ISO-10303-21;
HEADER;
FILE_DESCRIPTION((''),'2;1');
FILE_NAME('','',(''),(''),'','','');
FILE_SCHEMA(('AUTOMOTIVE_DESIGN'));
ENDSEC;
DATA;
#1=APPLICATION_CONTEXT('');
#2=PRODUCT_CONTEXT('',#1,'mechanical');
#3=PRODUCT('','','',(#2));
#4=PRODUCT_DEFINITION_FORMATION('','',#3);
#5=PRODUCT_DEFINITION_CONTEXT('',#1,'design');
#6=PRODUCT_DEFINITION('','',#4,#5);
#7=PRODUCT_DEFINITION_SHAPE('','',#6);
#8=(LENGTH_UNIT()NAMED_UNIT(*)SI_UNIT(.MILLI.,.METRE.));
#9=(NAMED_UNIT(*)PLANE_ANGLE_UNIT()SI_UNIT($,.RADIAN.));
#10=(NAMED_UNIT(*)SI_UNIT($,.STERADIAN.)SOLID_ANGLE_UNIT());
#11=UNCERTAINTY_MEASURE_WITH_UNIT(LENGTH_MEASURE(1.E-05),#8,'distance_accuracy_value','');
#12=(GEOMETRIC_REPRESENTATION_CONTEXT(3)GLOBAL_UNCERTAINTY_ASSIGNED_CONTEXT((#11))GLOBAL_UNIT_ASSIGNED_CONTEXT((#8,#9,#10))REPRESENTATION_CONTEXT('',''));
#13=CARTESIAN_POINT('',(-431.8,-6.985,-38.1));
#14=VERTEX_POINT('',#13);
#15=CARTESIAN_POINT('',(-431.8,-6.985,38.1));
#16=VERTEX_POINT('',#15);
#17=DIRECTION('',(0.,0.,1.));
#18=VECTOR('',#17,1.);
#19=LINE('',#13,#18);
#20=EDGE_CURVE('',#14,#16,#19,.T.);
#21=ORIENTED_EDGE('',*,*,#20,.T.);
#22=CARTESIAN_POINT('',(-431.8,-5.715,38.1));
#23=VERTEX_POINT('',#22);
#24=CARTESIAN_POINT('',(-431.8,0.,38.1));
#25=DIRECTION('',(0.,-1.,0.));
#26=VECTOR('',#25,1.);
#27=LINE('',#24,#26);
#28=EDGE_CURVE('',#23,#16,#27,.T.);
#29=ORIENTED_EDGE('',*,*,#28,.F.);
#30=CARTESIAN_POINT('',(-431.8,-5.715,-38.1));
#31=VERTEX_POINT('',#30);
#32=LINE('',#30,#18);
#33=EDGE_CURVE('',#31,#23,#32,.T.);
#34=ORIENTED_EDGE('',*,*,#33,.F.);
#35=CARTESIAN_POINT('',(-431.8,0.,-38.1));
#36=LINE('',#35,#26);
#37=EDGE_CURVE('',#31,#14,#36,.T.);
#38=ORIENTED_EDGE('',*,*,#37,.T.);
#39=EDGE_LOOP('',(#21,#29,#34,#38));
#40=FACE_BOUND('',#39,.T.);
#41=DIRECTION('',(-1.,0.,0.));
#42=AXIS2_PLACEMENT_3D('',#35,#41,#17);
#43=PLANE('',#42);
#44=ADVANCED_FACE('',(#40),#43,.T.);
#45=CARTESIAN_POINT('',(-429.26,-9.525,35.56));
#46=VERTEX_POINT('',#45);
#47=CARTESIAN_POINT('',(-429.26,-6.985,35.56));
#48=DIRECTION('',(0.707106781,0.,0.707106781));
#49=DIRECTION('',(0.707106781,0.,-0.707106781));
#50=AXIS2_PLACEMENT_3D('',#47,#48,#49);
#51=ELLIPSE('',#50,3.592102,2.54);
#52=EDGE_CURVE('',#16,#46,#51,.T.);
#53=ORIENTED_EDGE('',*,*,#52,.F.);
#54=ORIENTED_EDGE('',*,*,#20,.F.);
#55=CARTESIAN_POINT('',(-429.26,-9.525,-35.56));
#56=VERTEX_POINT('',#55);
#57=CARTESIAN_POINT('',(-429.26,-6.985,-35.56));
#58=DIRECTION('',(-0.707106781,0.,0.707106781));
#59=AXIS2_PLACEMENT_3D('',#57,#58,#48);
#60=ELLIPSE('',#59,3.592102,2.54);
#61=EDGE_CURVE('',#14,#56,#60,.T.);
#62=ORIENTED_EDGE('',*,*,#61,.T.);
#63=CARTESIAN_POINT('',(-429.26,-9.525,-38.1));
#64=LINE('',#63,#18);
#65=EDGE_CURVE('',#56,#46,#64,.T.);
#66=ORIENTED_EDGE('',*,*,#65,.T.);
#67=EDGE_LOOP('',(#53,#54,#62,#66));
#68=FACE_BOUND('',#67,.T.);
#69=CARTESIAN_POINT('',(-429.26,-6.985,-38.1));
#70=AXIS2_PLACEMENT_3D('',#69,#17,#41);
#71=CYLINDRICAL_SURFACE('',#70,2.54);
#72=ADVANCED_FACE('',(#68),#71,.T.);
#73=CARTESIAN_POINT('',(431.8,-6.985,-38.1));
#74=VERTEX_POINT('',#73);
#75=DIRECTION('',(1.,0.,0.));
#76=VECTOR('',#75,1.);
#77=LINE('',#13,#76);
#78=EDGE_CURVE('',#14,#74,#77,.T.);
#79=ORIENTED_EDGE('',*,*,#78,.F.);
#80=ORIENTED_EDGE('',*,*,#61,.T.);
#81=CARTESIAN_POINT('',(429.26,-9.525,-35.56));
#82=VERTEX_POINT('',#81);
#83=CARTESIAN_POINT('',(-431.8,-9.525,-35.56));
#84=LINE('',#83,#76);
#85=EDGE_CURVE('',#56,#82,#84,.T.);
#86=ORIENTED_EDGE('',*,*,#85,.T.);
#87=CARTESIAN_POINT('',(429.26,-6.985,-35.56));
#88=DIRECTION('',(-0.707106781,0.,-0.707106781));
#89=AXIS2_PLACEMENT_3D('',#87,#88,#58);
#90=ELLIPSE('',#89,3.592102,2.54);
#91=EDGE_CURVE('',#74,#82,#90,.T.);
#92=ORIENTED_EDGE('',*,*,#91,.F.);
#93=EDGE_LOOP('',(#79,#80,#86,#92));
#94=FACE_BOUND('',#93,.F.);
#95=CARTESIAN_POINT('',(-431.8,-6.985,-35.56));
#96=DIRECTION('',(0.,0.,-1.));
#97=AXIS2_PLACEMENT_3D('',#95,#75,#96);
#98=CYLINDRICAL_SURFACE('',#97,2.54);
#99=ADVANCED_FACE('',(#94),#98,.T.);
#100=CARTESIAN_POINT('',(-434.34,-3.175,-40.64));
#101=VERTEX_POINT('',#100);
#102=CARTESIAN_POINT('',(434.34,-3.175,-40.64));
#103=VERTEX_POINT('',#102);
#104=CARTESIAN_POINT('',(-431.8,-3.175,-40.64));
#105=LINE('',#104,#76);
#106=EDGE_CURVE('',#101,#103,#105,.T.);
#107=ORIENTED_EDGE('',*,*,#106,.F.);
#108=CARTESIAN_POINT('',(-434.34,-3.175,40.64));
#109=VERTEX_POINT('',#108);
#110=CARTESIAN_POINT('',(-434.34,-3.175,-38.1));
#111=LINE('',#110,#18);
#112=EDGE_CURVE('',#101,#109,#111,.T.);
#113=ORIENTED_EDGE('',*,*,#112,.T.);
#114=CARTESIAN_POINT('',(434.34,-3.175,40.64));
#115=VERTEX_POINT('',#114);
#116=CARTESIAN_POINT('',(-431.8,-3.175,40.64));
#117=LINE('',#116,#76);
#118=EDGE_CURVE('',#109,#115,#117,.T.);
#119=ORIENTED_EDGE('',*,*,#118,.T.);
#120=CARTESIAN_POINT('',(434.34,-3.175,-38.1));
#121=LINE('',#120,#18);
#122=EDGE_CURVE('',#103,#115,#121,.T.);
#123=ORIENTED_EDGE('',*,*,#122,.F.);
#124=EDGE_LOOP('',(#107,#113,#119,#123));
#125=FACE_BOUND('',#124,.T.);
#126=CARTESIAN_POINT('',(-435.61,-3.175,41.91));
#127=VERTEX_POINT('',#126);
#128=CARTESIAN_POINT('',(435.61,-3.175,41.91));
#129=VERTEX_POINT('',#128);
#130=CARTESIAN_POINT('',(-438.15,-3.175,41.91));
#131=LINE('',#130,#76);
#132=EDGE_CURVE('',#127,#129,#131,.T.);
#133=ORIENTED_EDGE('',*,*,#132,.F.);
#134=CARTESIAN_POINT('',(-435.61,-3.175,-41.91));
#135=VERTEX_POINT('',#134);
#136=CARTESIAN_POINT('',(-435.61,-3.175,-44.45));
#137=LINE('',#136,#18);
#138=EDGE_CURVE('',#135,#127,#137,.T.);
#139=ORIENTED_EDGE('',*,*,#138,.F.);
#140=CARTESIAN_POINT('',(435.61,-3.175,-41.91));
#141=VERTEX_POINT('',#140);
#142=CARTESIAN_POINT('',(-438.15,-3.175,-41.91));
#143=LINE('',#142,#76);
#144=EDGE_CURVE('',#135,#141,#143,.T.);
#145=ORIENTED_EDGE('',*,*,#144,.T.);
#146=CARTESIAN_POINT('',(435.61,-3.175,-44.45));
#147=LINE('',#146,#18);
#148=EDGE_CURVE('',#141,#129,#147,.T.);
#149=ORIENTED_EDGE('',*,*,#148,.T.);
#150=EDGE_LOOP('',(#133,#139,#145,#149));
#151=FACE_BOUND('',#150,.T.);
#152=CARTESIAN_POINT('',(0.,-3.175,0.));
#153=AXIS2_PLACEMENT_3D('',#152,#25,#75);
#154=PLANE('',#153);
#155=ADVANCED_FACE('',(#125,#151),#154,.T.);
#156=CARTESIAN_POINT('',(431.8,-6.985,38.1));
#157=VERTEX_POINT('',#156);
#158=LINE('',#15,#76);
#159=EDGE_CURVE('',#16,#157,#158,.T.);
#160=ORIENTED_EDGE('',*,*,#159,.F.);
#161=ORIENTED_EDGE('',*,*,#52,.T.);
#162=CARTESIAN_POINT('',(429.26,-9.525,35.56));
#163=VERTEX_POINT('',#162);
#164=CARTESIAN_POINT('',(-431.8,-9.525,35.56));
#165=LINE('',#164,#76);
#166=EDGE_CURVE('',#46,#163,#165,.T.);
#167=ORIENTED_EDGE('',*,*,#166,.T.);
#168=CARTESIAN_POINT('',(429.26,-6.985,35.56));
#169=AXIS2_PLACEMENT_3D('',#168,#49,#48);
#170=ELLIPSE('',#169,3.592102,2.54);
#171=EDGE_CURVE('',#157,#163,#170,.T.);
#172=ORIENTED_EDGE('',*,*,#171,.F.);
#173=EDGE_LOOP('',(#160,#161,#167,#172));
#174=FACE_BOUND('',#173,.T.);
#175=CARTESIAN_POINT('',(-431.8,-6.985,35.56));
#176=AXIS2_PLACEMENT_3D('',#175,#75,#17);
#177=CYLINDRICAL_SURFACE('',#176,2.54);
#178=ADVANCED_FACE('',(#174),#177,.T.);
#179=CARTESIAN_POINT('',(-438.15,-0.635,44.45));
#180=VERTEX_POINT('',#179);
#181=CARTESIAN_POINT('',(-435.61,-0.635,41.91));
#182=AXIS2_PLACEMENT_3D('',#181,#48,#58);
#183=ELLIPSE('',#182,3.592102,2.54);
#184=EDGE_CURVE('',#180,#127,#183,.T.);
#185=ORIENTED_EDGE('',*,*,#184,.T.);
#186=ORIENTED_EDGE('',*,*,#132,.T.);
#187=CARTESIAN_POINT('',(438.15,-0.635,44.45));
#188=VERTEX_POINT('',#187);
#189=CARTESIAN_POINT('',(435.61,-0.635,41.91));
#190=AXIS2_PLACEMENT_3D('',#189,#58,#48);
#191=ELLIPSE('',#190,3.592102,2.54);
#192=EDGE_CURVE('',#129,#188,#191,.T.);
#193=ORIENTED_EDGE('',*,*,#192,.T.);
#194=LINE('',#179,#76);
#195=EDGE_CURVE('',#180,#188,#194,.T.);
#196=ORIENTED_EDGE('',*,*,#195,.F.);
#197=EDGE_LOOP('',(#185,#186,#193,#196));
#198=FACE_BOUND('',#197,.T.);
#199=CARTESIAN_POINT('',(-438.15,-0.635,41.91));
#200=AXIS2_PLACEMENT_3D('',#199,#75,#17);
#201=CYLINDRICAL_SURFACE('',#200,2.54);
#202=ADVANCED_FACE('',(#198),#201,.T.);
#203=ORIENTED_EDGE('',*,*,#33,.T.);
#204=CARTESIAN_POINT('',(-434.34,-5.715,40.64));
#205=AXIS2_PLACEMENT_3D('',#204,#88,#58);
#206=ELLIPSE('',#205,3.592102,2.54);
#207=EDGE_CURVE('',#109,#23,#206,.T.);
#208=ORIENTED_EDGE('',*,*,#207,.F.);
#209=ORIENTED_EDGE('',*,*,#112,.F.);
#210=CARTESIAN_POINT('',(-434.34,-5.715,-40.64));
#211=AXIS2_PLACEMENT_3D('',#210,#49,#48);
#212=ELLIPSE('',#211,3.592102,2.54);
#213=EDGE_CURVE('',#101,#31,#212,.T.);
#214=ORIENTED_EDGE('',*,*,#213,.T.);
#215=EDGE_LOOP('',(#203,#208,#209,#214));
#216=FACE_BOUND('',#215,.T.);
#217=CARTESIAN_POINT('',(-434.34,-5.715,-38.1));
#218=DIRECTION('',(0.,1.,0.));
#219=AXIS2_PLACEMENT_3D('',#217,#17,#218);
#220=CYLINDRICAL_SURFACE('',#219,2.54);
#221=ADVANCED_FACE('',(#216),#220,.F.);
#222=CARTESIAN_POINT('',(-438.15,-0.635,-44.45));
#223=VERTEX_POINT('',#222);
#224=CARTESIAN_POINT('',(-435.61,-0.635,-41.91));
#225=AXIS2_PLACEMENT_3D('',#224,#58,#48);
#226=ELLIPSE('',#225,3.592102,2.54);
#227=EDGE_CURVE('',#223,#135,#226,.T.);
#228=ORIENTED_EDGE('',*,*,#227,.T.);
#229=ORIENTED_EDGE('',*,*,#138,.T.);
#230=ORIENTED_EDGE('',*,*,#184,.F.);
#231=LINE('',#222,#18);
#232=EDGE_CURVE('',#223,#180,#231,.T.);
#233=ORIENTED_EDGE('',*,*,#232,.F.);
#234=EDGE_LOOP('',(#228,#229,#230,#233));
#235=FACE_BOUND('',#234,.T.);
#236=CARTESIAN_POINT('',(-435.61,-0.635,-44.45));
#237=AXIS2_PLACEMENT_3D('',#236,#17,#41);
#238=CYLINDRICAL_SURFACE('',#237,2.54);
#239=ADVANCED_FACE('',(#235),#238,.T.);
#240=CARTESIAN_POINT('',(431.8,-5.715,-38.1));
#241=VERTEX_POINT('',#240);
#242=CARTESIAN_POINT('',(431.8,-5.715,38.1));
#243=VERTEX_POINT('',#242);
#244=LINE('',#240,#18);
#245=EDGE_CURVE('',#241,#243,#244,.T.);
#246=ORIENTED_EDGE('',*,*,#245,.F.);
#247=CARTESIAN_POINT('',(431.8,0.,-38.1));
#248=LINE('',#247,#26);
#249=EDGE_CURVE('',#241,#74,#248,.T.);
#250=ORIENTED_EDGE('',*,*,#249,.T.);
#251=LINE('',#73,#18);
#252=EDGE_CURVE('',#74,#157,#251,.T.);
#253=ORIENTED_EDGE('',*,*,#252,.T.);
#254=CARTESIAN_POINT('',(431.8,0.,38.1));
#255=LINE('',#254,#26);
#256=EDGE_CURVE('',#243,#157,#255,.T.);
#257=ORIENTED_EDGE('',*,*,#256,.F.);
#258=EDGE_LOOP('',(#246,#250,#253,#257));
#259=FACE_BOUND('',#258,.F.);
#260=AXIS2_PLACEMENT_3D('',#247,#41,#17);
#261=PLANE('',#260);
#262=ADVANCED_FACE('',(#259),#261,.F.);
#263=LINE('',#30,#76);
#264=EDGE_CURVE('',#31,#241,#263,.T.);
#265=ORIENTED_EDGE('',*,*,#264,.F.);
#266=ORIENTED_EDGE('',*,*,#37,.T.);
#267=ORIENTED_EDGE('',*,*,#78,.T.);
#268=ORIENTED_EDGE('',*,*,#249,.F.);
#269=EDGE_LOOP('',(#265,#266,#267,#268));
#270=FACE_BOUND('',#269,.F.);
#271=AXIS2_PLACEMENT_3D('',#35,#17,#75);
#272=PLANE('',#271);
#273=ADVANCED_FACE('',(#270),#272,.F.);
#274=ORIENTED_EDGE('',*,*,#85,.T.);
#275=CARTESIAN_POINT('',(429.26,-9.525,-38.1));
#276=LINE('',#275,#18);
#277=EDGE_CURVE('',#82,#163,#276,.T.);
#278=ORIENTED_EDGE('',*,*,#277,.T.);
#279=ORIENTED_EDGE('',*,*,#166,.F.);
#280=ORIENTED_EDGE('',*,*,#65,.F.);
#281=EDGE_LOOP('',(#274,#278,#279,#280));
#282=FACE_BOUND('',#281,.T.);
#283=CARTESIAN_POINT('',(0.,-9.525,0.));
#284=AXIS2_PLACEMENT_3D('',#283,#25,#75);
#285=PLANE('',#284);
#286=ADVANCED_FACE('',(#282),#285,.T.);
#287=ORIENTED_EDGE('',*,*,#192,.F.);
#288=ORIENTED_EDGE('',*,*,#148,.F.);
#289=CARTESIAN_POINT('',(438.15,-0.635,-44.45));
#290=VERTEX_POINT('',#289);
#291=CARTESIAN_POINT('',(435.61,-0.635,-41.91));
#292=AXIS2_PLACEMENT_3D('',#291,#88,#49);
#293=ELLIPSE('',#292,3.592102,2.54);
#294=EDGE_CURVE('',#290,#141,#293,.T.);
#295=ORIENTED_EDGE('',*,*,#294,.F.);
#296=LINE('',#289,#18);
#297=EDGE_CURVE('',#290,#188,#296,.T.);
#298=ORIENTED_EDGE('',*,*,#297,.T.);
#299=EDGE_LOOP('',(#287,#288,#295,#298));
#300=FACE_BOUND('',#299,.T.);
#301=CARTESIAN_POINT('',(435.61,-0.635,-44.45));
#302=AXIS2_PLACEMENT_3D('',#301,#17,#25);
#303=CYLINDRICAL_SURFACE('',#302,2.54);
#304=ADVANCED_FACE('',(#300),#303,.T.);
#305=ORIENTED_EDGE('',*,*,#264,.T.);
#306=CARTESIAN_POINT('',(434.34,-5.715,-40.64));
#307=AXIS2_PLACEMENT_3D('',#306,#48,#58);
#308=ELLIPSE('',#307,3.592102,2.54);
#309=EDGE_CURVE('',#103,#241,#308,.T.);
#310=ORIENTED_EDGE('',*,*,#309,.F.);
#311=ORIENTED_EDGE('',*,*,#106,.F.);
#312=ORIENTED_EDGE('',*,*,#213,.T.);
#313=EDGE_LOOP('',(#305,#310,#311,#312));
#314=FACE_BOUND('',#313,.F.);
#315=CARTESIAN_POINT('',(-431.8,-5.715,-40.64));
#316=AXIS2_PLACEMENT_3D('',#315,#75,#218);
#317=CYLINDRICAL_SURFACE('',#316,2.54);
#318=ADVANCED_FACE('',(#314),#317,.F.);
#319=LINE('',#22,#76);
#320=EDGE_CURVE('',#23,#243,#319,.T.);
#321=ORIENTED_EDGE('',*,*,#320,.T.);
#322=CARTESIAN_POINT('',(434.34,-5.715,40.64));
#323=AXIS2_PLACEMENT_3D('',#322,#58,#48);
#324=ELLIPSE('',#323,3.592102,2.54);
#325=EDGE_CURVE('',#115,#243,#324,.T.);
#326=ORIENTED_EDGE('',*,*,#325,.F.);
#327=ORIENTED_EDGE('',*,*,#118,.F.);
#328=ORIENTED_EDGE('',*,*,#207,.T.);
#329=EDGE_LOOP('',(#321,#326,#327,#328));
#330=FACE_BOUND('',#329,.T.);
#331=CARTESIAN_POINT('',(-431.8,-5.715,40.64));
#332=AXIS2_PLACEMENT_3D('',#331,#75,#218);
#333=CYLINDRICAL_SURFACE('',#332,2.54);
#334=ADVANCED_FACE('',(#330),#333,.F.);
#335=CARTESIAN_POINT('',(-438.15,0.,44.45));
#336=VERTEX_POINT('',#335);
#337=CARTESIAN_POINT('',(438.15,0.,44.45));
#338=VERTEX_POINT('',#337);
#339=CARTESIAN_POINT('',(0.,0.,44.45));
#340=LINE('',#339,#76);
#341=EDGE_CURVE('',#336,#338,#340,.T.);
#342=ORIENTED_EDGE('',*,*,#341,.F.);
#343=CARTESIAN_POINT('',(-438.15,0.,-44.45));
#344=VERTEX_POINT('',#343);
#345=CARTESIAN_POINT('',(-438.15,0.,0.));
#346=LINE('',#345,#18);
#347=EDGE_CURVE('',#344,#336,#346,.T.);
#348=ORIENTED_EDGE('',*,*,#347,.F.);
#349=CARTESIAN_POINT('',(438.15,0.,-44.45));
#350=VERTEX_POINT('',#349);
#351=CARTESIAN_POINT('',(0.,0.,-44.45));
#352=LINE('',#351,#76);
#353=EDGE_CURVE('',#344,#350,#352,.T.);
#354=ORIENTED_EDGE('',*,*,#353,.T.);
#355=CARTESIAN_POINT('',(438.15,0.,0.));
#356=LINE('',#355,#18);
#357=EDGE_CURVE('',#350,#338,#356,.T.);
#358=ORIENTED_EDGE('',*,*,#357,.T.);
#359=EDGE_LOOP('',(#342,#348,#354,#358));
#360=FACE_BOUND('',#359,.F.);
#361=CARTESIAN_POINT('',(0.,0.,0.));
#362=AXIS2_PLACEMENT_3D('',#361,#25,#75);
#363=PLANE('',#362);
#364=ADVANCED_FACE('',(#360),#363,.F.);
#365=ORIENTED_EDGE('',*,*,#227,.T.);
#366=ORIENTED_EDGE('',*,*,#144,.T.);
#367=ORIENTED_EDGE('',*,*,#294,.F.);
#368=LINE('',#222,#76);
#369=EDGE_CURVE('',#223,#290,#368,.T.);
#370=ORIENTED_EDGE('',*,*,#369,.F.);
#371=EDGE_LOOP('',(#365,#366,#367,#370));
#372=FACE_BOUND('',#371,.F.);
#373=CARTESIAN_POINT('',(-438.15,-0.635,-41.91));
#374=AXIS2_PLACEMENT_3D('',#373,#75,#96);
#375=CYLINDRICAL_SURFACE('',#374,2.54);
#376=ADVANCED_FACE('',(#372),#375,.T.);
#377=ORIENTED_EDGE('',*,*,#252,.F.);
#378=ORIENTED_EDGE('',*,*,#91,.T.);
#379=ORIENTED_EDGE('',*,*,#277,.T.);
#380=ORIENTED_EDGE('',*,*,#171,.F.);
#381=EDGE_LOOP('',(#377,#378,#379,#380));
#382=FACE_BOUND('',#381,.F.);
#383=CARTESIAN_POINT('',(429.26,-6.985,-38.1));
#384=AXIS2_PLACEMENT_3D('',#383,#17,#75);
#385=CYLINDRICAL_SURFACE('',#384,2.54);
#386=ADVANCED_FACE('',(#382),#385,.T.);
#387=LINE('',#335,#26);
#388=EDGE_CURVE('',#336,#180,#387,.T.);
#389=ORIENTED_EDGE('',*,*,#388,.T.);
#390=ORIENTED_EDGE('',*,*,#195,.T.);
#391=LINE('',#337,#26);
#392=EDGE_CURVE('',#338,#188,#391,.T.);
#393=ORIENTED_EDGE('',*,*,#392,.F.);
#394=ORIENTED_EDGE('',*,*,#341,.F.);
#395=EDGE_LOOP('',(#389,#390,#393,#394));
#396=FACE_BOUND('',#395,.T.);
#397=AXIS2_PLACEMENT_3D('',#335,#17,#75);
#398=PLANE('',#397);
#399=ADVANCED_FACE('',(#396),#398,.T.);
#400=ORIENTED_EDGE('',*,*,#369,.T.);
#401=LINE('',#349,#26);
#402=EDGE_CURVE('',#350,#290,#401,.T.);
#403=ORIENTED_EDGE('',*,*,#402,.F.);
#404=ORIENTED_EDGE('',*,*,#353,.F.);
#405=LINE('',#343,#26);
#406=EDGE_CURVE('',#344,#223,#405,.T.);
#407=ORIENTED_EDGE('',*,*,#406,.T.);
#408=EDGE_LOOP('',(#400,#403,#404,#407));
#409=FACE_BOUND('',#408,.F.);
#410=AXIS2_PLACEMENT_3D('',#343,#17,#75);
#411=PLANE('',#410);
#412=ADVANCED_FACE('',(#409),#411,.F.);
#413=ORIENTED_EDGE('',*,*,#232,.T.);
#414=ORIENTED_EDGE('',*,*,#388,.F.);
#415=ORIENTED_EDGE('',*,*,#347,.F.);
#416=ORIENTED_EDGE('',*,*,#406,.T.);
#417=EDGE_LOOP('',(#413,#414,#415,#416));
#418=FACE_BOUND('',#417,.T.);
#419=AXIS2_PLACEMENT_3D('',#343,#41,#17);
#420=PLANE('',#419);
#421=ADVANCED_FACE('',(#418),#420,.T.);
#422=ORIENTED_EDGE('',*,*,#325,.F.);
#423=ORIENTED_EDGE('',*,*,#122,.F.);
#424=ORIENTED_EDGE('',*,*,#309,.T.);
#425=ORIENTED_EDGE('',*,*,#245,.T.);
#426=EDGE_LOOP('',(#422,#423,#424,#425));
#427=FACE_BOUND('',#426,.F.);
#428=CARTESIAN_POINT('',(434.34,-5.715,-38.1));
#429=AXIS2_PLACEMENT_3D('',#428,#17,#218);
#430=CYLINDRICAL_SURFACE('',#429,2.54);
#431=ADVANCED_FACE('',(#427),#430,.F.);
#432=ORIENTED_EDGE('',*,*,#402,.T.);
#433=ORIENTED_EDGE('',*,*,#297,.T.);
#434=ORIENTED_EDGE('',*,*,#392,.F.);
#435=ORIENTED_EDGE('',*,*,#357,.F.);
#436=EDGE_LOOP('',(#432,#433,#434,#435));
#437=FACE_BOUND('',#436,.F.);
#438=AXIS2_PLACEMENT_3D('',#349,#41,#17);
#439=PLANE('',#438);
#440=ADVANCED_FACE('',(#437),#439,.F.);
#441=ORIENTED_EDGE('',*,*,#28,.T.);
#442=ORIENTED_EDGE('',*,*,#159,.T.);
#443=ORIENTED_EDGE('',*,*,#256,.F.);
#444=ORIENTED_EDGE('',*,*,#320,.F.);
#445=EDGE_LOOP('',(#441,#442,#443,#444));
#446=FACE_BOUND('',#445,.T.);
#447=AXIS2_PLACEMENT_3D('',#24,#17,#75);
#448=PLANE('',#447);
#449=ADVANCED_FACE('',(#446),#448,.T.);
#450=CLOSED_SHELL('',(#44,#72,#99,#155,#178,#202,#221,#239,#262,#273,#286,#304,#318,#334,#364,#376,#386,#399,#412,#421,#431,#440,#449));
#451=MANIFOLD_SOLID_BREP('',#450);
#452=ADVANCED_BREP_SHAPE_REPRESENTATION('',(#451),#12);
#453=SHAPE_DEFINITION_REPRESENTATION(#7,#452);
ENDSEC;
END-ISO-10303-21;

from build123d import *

# Parameters (mm, degrees)
F0_W     = 863.6
F0_H     = 76.2
F1_DEPTH = 9.525
F0_W_2   = 876.3
F0_H_2   = 88.9
F2_DEPTH = 3.175
F3_R     = 2.54


with BuildPart() as f1:
    # F0 (on Front) → F1 (new body)
    with BuildSketch(Plane.XZ):
        Rectangle(F0_W, F0_H)
    extrude(amount=F1_DEPTH)

    # F0 (on Front) → F2 (join)
    with BuildSketch(Plane.XZ):
        Rectangle(F0_W_2, F0_H_2)
        Rectangle(F0_W, F0_H, mode=Mode.SUBTRACT)
    extrude(amount=F2_DEPTH)

    # F3
    f3_edges = [f1.edges().sort_by_distance(p)[0] for p in [
        (431.8, -9.525, 0),
        (0, -9.525, 38.1),
        (-431.8, -9.525, 0),
        (0, -9.525, -38.1),
        (-438.15, -3.175, 0),
        (0, -3.175, -44.45),
        (438.15, -3.175, 0),
        (0, -3.175, 44.45),
        (-431.8, -3.175, 0),
        (0, -3.175, 38.1),
        (431.8, -3.175, 0),
        (0, -3.175, -38.1),
    ]]
    fillet(f3_edges, radius=F3_R)


solid = f1.part
